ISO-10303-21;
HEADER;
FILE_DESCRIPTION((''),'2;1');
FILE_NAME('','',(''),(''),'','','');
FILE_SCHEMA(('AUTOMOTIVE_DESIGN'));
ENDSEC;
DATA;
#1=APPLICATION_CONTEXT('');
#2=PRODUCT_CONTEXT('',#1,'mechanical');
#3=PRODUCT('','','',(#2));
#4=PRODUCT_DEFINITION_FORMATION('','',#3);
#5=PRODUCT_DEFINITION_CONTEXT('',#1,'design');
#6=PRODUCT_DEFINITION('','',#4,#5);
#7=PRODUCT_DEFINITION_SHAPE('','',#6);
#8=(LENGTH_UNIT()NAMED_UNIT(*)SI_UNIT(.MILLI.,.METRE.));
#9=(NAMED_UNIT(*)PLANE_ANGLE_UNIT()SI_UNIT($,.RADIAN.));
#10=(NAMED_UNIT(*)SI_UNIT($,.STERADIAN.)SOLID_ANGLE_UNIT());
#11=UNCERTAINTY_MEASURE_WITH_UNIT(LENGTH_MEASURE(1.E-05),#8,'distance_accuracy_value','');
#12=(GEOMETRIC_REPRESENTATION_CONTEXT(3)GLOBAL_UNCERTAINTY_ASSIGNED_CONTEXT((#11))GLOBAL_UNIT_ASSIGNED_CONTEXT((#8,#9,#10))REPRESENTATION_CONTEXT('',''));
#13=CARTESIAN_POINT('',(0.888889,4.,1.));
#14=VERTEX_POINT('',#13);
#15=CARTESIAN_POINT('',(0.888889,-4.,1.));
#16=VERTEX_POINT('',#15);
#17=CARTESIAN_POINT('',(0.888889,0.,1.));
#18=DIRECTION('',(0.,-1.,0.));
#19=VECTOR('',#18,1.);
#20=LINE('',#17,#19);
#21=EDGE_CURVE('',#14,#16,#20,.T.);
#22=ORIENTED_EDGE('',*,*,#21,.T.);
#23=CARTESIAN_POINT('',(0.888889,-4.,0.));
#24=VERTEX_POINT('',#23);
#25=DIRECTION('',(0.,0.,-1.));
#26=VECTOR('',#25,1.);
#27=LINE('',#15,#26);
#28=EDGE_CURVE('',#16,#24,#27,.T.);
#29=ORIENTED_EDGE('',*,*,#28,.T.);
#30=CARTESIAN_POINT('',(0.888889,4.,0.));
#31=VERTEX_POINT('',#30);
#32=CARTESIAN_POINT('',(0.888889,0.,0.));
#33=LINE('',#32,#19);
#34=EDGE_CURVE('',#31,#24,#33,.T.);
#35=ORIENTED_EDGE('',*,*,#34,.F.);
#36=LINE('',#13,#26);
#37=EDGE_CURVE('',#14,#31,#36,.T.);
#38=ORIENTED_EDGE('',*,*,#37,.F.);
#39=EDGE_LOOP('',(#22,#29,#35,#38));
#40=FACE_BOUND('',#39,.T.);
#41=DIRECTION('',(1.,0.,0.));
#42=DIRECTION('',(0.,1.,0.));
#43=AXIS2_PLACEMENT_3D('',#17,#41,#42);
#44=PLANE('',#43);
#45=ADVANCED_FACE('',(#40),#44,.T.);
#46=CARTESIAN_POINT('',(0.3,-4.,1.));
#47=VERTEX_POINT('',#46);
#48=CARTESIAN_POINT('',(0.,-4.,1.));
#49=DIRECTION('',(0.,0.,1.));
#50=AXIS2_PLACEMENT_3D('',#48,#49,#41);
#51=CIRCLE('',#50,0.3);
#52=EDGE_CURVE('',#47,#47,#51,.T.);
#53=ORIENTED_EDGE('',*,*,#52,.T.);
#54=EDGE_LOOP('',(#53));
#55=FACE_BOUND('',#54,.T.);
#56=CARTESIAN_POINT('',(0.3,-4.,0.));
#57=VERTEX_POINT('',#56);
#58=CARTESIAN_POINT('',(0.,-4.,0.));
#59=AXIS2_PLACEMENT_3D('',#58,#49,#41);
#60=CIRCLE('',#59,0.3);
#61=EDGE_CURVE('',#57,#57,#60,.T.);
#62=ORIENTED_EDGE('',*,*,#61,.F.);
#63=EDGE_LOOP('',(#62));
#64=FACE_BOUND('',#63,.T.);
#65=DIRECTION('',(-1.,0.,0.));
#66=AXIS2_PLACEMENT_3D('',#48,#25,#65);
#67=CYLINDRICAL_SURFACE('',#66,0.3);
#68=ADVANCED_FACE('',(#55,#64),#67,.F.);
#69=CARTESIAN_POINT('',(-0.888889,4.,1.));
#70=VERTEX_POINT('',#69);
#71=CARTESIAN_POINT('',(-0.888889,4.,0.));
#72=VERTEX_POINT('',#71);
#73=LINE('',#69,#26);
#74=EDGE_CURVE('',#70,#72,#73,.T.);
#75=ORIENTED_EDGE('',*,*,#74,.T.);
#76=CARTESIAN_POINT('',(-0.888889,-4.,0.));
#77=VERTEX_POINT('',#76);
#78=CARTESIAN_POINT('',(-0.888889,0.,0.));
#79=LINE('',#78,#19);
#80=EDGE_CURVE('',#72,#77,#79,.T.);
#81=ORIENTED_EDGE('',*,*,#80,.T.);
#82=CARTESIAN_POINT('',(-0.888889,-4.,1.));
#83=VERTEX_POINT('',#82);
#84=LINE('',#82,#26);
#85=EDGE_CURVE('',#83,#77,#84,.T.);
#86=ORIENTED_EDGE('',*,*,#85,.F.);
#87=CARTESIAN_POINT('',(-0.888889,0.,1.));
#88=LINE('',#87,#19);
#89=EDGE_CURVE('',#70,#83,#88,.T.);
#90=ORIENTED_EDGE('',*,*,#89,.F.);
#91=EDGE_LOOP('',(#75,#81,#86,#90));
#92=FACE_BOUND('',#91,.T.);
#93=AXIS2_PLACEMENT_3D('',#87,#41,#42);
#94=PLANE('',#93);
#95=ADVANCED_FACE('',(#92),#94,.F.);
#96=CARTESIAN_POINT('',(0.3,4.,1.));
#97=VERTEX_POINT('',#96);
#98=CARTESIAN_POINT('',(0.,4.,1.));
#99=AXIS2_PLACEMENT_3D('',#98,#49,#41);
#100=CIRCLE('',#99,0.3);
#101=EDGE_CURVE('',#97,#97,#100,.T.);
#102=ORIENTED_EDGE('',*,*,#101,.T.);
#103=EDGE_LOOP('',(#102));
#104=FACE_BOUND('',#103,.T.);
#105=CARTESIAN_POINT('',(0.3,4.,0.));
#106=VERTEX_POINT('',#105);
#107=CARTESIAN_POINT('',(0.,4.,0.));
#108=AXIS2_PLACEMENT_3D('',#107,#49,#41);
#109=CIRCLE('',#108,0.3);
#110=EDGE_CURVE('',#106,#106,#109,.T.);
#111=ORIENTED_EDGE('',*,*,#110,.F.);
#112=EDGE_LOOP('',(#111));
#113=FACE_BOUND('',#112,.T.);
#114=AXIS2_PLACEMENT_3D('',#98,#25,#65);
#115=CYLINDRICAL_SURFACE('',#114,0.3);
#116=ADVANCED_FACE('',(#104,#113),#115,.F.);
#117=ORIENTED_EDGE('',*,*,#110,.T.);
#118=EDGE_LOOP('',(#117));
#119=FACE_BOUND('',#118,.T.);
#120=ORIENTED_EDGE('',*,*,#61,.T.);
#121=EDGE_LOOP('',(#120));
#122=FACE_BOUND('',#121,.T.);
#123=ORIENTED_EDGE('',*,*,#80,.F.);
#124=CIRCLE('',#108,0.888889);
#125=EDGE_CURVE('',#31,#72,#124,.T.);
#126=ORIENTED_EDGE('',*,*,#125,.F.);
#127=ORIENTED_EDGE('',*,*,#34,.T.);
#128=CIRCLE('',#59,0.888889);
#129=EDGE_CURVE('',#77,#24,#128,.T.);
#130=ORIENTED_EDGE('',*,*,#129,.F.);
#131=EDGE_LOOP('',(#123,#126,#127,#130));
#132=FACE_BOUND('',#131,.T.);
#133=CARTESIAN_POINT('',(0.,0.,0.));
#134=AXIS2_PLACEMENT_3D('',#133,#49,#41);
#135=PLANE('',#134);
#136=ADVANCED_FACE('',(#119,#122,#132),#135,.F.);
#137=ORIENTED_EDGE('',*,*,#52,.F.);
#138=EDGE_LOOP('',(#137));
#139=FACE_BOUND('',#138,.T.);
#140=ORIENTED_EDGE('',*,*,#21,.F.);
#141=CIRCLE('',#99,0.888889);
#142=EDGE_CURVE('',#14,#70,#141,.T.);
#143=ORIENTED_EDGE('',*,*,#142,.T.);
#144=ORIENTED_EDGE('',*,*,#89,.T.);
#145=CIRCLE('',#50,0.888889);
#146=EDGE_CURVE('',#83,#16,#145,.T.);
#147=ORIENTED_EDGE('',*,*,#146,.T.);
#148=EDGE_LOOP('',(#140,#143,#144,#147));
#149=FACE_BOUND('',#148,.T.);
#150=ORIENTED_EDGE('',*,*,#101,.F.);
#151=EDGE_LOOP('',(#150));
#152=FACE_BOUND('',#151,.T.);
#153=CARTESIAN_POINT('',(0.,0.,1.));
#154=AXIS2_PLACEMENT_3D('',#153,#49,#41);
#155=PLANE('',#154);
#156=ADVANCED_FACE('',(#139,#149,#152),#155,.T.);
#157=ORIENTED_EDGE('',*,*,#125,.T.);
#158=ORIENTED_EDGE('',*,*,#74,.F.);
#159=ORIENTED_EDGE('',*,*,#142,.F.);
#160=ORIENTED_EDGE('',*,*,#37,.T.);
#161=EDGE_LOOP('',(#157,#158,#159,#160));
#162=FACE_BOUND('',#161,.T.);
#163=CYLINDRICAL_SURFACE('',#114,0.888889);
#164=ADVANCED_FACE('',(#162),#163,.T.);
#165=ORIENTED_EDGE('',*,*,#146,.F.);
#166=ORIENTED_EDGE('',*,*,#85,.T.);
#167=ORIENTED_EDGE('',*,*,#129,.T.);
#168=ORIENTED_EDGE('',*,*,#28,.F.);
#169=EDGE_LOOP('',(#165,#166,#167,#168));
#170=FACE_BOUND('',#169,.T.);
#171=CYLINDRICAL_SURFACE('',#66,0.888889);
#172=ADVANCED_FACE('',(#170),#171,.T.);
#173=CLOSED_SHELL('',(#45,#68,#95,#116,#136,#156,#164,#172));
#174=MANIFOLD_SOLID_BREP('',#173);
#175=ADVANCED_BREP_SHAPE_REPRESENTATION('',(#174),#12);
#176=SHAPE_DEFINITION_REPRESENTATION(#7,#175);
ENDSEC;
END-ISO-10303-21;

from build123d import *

# Parameters (mm, degrees)
EXTRUDE_3_DEPTH = 1


with BuildPart() as part:
    # 草图1 → 凸台-拉伸3 (new body)
    with BuildSketch(Plane.XY):
        with BuildLine():
            ThreePointArc((-0.3, 4), (0, 4.3), (0.3, 4))
            Line((0.3, 4), (0.888888889, 4))
            ThreePointArc((0.888888889, 4), (0, 4.888888889), (-0.888888889, 4))
            Line((-0.888888889, 4), (-0.3, 4))
        make_face()
        with BuildLine():
            Line((0.888888889, 4), (0.3, 4))
            ThreePointArc((0.3, 4), (0, 3.7), (-0.3, 4))
            Line((-0.3, 4), (-0.888888889, 4))
            ThreePointArc((-0.888888889, 4), (0, 3.111111111), (0.888888889, 4))
        make_face()
        with BuildLine():
            Line((0.888888889, -4), (0.888888889, 4))
            ThreePointArc((0.888888889, 4), (0, 3.111111111), (-0.888888889, 4))
            Line((-0.888888889, 4), (-0.888888889, -4))
            ThreePointArc((-0.888888889, -4), (0, -3.111111111), (0.888888889, -4))
        make_face()
        with BuildLine():
            ThreePointArc((-0.888888889, -4), (0, -4.888888889), (0.888888889, -4))
            Line((0.888888889, -4), (0.3, -4))
            ThreePointArc((0.3, -4), (0, -4.3), (-0.3, -4))
            Line((-0.3, -4), (-0.888888889, -4))
        make_face()
        with BuildLine():
            Line((0.3, -4), (0.888888889, -4))
            ThreePointArc((0.888888889, -4), (0, -3.111111111), (-0.888888889, -4))
            Line((-0.888888889, -4), (-0.3, -4))
            ThreePointArc((-0.3, -4), (0, -3.7), (0.3, -4))
        make_face()
    extrude(amount=EXTRUDE_3_DEPTH)


solid = part.part
